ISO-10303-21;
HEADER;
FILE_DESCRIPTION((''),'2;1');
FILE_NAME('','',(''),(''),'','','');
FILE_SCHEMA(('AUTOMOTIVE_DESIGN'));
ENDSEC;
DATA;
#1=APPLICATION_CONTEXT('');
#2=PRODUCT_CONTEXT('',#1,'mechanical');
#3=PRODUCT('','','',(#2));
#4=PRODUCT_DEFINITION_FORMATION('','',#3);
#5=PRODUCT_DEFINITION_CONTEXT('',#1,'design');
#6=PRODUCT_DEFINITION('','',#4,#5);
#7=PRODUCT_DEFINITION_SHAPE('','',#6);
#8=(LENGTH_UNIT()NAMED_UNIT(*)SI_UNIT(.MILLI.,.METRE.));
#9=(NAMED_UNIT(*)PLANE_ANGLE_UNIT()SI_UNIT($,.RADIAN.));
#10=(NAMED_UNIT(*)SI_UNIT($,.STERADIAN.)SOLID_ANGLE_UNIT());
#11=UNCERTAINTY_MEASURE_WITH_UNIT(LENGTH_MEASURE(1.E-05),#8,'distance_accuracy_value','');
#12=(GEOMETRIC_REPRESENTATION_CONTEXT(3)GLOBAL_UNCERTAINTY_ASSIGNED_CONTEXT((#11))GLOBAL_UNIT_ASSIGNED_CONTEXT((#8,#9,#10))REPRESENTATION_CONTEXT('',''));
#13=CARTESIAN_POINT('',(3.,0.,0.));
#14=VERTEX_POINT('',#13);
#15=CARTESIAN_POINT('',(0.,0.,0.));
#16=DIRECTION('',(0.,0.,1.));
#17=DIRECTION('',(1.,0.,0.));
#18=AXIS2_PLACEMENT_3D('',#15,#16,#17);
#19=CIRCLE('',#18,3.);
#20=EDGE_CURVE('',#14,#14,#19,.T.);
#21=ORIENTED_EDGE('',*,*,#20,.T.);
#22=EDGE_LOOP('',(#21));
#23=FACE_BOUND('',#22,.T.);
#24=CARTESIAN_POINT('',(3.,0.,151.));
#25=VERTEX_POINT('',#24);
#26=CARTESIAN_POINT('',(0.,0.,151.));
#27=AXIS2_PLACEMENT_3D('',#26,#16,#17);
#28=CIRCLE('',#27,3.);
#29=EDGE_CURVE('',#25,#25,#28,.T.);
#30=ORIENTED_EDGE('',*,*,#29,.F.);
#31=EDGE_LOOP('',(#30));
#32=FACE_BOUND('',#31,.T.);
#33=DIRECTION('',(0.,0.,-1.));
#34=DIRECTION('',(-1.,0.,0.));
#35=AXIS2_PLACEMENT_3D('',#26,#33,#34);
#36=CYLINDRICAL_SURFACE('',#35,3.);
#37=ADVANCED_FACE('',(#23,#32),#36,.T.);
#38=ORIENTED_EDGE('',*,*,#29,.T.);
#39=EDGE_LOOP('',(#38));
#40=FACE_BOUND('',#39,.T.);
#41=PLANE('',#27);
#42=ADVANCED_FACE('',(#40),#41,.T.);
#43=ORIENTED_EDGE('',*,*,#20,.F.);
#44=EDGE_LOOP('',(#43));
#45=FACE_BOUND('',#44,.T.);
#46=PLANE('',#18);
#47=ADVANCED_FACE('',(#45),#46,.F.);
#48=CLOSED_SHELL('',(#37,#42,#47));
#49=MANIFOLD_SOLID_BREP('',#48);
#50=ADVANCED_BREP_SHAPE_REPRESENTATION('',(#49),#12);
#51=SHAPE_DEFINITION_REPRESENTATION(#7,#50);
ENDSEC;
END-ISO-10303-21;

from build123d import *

# Parameters (mm, degrees)
SKETCH_1_R      = 3
EXTRUDE_1_DEPTH = 151


with BuildPart() as part:
    # 草图1 → 凸台-拉伸1 (new body)
    with BuildSketch(Plane.XY):
        Circle(SKETCH_1_R)
    extrude(amount=EXTRUDE_1_DEPTH)


solid = part.part
